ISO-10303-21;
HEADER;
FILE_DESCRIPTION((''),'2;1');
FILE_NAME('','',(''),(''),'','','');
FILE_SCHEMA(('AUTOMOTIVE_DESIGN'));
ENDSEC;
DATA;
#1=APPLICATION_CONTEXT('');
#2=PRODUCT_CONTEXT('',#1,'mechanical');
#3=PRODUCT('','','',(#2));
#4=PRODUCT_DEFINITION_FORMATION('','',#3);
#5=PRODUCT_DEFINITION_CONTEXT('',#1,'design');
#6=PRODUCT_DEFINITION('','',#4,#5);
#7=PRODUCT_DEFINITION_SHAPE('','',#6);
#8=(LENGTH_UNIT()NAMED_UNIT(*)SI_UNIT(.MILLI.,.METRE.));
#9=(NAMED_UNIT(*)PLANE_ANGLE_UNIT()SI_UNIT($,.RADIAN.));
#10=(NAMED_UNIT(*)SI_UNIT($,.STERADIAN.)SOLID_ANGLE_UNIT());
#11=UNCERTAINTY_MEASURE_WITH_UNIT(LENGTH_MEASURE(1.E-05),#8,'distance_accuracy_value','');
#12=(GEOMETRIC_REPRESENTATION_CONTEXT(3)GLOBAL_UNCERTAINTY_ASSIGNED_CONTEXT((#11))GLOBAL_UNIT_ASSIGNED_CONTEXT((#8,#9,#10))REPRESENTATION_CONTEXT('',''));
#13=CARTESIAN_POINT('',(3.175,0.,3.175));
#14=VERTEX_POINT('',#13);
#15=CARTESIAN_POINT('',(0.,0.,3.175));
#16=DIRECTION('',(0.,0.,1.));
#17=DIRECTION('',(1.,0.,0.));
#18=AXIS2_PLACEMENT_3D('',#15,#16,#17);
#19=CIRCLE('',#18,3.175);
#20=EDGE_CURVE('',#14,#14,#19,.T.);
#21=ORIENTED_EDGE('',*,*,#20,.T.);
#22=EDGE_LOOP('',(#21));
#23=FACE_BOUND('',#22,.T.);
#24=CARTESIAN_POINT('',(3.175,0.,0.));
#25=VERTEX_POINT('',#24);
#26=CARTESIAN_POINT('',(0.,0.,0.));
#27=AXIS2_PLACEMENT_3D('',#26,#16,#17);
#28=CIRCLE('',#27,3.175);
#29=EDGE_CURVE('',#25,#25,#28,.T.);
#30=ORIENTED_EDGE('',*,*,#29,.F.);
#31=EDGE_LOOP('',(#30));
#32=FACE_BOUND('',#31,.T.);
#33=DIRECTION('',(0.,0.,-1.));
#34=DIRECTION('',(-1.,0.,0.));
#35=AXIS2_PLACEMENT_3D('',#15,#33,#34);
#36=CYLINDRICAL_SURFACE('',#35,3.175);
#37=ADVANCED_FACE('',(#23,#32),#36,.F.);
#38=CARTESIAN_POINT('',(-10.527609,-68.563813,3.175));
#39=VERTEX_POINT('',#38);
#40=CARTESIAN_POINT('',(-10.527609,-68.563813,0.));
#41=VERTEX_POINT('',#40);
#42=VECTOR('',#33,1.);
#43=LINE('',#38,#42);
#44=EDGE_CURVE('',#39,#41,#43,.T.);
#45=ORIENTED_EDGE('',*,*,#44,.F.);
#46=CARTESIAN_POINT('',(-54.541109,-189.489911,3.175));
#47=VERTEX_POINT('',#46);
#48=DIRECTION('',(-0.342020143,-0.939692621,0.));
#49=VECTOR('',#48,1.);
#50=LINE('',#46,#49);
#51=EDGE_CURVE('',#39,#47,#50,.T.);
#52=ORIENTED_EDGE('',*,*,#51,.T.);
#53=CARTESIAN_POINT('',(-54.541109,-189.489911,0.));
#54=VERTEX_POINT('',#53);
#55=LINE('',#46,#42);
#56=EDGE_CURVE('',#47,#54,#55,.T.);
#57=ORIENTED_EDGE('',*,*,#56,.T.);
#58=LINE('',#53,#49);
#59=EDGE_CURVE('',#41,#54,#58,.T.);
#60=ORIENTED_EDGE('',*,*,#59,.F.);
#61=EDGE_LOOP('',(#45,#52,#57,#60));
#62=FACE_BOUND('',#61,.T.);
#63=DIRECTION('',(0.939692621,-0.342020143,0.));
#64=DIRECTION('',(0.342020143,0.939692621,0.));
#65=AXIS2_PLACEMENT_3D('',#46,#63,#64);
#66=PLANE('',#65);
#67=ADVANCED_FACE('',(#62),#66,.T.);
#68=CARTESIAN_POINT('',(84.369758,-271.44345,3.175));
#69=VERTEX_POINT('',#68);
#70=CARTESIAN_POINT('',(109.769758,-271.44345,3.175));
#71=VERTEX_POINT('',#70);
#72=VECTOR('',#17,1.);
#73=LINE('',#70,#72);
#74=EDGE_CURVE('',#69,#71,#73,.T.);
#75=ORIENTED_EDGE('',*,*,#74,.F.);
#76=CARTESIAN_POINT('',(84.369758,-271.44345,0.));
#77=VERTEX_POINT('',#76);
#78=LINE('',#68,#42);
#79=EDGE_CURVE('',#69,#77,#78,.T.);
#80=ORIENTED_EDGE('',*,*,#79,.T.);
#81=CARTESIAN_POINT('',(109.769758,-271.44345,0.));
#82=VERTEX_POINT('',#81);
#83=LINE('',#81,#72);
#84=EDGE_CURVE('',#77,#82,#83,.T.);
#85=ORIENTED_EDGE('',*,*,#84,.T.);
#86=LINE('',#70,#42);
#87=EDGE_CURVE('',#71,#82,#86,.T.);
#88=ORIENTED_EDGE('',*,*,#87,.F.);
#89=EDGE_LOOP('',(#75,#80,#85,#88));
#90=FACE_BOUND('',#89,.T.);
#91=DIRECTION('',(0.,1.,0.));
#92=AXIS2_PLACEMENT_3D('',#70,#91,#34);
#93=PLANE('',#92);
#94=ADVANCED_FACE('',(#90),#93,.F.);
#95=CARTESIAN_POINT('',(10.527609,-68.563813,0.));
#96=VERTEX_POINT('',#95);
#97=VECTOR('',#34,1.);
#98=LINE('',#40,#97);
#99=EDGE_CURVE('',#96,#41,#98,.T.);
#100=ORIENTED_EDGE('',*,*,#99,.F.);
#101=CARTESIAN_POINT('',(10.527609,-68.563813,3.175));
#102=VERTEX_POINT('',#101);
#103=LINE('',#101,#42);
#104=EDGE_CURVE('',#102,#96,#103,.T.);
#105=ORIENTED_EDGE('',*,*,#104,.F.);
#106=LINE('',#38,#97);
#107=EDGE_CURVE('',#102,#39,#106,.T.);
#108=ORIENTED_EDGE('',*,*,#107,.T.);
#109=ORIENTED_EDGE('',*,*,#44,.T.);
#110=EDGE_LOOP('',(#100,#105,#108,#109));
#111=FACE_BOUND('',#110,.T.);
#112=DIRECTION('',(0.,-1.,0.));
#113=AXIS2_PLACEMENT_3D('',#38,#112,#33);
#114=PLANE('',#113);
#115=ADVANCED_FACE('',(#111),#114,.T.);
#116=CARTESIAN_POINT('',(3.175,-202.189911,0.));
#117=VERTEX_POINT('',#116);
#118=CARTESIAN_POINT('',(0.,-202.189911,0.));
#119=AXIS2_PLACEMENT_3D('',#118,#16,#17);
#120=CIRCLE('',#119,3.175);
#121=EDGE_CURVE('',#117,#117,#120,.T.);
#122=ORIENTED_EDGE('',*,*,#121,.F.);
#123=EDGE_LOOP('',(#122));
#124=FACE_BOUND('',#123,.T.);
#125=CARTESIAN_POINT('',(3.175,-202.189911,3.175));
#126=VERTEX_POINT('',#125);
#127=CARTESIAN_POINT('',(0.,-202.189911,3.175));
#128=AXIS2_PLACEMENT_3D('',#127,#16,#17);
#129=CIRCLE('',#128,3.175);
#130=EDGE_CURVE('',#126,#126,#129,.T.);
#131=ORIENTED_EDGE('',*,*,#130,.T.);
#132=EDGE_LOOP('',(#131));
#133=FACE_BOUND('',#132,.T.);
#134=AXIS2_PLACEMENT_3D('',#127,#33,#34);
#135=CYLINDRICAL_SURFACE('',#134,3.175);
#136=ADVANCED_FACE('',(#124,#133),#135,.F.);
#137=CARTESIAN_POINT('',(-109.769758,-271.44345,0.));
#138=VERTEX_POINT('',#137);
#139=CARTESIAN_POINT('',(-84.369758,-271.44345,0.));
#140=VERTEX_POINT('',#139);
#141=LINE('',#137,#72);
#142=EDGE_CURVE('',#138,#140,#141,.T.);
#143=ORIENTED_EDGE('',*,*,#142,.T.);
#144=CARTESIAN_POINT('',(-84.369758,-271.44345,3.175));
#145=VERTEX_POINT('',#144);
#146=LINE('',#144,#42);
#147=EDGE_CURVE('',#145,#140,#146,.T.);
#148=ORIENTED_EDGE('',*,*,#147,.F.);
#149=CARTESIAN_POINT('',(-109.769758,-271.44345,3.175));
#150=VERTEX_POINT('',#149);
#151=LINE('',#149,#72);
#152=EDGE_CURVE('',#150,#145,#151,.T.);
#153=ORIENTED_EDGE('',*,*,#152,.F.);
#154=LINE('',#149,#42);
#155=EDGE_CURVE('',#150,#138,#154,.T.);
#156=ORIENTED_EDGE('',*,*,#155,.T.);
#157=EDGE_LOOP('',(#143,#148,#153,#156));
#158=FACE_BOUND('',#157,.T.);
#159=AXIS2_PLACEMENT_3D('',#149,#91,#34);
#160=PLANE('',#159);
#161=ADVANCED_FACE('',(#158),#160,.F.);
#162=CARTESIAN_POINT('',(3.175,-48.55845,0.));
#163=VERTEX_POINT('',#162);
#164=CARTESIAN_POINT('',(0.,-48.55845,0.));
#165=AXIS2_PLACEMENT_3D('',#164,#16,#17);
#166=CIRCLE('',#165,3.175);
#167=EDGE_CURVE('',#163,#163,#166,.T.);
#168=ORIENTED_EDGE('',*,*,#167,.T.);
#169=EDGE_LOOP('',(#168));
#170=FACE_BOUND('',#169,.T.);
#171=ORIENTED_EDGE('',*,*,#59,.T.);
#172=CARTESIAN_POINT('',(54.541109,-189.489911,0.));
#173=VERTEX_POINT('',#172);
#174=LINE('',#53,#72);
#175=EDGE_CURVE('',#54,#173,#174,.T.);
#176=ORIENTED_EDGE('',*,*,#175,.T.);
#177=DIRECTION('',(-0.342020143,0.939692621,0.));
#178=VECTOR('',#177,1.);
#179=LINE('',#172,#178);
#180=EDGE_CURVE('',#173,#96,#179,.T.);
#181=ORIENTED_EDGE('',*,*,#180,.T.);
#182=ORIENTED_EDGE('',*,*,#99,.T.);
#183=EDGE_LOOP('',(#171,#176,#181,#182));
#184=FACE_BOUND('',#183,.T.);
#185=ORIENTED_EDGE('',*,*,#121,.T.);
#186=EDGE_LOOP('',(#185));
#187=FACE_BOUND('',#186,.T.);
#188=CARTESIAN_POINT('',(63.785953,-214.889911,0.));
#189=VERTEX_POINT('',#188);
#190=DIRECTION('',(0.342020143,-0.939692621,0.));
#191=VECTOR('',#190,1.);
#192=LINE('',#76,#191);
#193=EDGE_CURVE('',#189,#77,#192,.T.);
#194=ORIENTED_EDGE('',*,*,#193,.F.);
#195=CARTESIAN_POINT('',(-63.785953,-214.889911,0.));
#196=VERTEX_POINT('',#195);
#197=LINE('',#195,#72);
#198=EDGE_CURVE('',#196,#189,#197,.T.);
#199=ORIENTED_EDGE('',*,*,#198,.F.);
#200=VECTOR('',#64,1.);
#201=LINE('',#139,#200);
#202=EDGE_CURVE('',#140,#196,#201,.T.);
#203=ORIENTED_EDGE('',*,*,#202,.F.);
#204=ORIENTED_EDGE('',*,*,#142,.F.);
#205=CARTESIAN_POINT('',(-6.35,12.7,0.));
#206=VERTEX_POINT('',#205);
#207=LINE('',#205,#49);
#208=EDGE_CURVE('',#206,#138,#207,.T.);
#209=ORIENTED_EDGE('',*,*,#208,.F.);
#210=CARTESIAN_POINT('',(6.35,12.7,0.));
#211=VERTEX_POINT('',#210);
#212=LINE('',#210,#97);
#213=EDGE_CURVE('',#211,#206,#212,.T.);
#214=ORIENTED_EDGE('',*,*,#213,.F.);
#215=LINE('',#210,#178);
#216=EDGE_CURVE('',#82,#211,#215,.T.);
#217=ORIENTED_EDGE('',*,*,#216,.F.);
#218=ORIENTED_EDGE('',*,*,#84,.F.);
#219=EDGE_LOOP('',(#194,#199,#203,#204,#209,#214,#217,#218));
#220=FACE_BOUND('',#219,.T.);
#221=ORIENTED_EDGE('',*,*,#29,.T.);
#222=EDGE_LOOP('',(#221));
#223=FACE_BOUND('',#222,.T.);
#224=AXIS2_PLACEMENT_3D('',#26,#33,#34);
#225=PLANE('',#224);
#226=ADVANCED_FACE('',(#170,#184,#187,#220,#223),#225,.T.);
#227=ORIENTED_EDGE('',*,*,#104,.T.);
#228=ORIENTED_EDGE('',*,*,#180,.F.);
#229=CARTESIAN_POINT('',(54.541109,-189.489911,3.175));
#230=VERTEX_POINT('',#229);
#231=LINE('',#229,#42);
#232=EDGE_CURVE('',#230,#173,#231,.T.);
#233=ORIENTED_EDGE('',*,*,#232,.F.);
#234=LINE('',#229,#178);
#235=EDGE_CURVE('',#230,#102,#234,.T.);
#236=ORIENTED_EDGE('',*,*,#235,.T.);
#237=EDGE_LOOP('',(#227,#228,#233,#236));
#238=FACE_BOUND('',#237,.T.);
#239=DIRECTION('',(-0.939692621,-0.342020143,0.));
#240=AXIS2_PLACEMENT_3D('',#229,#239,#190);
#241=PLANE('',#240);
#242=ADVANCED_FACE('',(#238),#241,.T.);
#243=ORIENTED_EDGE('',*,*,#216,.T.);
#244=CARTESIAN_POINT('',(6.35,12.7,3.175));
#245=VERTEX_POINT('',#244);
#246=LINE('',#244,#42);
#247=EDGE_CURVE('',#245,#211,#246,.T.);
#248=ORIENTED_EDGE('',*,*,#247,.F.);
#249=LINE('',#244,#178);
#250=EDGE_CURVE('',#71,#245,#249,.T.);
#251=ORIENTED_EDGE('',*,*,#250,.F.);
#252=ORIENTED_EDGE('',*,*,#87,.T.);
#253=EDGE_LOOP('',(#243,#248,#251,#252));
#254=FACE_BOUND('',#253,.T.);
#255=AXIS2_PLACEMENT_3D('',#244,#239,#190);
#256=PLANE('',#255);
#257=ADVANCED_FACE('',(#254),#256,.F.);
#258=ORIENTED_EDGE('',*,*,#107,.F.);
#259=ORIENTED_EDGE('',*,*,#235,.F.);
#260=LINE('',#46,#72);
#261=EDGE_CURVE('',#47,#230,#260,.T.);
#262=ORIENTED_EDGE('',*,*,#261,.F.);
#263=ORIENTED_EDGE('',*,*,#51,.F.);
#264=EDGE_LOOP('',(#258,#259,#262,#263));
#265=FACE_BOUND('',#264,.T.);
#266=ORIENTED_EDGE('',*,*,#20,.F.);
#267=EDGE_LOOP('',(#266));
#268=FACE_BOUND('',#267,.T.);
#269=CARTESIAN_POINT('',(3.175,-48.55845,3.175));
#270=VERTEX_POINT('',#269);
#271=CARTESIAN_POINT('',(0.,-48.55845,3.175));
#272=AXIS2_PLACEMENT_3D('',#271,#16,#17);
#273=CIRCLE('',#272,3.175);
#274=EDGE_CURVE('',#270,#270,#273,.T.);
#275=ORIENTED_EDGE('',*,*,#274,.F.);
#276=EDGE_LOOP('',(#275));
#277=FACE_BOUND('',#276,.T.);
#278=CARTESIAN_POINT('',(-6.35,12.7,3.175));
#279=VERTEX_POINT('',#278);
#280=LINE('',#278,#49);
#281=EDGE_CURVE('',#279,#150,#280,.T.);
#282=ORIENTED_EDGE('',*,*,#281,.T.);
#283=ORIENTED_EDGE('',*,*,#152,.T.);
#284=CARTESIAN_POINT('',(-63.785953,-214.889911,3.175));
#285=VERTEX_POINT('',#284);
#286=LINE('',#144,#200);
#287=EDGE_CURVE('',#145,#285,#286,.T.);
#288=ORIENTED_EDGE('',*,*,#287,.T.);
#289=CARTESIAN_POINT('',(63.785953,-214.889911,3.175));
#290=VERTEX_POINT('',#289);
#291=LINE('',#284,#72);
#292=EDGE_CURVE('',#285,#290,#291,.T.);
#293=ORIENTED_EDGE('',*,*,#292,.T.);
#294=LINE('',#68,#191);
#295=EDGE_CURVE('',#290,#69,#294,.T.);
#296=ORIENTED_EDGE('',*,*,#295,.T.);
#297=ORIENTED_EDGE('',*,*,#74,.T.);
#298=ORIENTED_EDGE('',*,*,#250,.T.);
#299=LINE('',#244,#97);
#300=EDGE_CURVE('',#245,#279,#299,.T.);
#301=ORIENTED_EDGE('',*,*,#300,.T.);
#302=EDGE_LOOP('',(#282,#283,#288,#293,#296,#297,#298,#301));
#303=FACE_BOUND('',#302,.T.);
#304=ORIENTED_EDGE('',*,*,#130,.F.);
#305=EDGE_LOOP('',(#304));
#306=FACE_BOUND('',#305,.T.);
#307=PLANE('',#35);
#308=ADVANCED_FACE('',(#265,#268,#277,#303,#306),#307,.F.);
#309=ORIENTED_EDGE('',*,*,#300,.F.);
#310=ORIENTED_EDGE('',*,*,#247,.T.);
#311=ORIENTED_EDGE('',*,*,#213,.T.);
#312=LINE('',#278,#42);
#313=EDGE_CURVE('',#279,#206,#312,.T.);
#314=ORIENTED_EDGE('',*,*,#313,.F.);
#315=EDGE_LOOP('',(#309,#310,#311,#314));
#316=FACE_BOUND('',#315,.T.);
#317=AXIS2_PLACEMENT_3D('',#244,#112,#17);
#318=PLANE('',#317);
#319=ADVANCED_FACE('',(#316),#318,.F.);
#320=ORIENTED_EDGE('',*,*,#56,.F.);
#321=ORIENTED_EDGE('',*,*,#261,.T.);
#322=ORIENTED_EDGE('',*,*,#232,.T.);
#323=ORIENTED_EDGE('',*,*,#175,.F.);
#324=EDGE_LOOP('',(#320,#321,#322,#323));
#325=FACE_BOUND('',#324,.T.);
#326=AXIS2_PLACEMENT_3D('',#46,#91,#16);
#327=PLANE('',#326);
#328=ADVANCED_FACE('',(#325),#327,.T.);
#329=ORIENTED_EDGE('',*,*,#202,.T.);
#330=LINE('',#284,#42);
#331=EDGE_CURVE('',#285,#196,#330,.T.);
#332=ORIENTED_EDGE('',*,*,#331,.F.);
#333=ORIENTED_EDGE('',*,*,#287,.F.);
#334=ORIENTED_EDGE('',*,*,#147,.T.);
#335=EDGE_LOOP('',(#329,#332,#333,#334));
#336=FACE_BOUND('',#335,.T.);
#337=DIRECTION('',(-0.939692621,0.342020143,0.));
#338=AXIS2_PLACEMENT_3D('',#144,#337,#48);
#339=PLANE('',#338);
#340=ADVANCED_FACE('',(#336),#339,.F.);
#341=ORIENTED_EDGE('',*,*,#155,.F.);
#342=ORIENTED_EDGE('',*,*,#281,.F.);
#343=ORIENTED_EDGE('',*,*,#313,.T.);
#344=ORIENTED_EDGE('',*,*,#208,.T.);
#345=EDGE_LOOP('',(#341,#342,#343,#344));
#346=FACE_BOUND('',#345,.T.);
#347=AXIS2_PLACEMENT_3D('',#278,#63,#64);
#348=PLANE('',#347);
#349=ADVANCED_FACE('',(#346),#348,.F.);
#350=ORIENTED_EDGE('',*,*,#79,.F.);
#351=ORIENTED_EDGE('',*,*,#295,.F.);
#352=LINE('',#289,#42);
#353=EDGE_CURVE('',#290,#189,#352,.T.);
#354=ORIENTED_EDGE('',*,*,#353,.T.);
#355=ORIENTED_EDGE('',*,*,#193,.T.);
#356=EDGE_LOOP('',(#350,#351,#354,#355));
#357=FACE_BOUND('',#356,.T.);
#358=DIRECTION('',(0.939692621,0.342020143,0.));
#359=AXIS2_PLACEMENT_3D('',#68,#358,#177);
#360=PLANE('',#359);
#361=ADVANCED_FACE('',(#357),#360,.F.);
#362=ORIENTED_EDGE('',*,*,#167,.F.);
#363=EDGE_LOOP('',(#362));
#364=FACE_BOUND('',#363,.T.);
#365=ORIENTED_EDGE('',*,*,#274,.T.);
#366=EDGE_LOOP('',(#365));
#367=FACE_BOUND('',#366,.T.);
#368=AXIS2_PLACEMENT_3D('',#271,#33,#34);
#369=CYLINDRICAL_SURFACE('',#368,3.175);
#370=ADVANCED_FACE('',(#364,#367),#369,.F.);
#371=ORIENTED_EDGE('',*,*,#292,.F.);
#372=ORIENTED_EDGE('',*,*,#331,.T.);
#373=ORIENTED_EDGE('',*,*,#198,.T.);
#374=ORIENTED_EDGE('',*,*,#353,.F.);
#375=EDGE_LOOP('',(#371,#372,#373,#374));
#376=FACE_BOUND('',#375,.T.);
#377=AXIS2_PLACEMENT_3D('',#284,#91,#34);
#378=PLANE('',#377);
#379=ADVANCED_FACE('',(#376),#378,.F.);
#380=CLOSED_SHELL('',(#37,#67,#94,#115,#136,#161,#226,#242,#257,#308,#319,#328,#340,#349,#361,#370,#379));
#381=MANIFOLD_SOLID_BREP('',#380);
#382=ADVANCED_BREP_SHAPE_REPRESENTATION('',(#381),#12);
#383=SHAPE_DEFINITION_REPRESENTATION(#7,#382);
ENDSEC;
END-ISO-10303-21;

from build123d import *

# Parameters (mm, degrees)
SKETCH1_R           = 3.175
BOSS_EXTRUDE1_DEPTH = 3.175


with BuildPart() as part:
    # Sketch1 → Boss-Extrude1 (new body)
    with BuildSketch(Plane.XY):
        Polygon((6.35, 12.7), (-6.35, 12.7), (-109.769758062, -271.44345), (-84.369758062, -271.44345), (-63.785953331, -214.889911296), (63.785953331, -214.889911296), (84.369758062, -271.44345), (109.769758062, -271.44345), align=None)
        Circle(SKETCH1_R, mode=Mode.SUBTRACT)
        with Locations((0, -48.55845)):
            Circle(SKETCH1_R, mode=Mode.SUBTRACT)
        with Locations((0, -202.189911296)):
            Circle(SKETCH1_R, mode=Mode.SUBTRACT)
        Polygon((54.541109381, -189.489911296), (10.527609118, -68.563813172), (-10.527609118, -68.563813172), (-54.541109381, -189.489911296), align=None, mode=Mode.SUBTRACT)
    extrude(amount=BOSS_EXTRUDE1_DEPTH)


solid = part.part
